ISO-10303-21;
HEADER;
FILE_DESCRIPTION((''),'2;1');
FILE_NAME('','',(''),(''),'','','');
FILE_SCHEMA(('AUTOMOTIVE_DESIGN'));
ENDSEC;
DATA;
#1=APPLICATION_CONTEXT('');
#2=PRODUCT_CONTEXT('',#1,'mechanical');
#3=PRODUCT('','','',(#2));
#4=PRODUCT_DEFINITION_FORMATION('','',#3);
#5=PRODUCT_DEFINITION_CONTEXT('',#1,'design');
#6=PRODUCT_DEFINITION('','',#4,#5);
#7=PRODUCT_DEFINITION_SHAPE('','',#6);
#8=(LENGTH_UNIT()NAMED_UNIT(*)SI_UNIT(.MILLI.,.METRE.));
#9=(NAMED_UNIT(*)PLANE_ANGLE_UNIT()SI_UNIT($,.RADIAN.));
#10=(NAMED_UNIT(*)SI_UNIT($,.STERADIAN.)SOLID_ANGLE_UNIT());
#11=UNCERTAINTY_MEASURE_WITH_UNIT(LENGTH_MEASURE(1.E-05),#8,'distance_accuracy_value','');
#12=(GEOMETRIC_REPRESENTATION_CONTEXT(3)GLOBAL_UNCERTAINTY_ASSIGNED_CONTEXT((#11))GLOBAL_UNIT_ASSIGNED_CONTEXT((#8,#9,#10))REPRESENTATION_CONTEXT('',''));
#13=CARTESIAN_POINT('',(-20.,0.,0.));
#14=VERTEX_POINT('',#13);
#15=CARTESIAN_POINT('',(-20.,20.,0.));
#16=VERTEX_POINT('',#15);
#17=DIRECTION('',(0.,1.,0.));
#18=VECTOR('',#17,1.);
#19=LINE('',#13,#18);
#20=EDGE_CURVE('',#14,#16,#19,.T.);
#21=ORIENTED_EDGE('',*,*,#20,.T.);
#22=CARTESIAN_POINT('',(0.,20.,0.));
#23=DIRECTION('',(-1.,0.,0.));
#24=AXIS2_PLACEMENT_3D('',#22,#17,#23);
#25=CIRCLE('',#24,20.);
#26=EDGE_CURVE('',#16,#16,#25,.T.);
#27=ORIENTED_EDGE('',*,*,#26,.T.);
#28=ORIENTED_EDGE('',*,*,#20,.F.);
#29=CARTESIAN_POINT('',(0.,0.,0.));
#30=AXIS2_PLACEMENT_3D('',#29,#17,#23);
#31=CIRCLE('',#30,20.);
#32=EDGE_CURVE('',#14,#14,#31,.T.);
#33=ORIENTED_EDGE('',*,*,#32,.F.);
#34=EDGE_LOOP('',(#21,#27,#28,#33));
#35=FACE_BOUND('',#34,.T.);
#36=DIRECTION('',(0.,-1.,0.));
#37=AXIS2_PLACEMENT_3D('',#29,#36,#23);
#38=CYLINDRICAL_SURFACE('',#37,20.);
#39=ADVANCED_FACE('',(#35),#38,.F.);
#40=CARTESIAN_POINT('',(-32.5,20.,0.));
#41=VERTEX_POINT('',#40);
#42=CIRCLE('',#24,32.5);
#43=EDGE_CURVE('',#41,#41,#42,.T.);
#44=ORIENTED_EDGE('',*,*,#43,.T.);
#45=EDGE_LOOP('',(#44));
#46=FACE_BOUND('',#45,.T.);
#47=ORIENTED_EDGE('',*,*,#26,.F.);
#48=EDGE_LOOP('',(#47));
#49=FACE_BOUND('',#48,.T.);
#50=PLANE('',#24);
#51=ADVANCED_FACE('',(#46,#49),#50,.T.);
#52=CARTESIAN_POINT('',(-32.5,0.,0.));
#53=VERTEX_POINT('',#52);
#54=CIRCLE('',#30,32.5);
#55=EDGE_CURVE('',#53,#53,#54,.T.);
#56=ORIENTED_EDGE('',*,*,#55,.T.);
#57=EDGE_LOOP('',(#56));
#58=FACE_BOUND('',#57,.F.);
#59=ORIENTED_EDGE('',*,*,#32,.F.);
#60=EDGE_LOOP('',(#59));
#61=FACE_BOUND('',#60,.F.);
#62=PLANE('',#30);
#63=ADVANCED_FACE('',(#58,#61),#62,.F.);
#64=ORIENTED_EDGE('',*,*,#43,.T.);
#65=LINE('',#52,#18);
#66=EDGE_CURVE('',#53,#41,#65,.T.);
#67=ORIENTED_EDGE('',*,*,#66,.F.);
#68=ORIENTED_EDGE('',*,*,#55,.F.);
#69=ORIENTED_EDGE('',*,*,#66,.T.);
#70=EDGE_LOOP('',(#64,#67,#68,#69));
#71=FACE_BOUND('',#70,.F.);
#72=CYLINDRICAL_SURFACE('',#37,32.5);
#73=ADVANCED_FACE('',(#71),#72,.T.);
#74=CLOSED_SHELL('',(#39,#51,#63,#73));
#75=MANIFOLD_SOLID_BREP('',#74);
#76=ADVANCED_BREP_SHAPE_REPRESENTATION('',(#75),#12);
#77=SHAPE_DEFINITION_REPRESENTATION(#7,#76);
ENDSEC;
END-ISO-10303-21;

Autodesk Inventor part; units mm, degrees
ref_plane "YZ Plane" through (0, 0, 0) normal (1, 0, 0) x (0, 1, 0)
ref_plane "XZ Plane" through (0, 0, 0) normal (0, 1, 0) x (-1, 0, 0)
ref_plane "XY Plane" through (0, 0, 0) normal (0, 0, 1) x (1, 0, 0)
sketch "Skizze1" plane through (0, 0, 0) normal (0, 1, 0) x (-1, 0, 0)
  circle A0 centre (0, 0) radius 20
  circle A1 centre (0, 0) radius 32.5
  dimension "d0" = 40
  dimension "d1" = 65
extrude "reifen_mantel" add sketch "Skizze1" along normal blind 20
properties part number "reifen_mantel"
